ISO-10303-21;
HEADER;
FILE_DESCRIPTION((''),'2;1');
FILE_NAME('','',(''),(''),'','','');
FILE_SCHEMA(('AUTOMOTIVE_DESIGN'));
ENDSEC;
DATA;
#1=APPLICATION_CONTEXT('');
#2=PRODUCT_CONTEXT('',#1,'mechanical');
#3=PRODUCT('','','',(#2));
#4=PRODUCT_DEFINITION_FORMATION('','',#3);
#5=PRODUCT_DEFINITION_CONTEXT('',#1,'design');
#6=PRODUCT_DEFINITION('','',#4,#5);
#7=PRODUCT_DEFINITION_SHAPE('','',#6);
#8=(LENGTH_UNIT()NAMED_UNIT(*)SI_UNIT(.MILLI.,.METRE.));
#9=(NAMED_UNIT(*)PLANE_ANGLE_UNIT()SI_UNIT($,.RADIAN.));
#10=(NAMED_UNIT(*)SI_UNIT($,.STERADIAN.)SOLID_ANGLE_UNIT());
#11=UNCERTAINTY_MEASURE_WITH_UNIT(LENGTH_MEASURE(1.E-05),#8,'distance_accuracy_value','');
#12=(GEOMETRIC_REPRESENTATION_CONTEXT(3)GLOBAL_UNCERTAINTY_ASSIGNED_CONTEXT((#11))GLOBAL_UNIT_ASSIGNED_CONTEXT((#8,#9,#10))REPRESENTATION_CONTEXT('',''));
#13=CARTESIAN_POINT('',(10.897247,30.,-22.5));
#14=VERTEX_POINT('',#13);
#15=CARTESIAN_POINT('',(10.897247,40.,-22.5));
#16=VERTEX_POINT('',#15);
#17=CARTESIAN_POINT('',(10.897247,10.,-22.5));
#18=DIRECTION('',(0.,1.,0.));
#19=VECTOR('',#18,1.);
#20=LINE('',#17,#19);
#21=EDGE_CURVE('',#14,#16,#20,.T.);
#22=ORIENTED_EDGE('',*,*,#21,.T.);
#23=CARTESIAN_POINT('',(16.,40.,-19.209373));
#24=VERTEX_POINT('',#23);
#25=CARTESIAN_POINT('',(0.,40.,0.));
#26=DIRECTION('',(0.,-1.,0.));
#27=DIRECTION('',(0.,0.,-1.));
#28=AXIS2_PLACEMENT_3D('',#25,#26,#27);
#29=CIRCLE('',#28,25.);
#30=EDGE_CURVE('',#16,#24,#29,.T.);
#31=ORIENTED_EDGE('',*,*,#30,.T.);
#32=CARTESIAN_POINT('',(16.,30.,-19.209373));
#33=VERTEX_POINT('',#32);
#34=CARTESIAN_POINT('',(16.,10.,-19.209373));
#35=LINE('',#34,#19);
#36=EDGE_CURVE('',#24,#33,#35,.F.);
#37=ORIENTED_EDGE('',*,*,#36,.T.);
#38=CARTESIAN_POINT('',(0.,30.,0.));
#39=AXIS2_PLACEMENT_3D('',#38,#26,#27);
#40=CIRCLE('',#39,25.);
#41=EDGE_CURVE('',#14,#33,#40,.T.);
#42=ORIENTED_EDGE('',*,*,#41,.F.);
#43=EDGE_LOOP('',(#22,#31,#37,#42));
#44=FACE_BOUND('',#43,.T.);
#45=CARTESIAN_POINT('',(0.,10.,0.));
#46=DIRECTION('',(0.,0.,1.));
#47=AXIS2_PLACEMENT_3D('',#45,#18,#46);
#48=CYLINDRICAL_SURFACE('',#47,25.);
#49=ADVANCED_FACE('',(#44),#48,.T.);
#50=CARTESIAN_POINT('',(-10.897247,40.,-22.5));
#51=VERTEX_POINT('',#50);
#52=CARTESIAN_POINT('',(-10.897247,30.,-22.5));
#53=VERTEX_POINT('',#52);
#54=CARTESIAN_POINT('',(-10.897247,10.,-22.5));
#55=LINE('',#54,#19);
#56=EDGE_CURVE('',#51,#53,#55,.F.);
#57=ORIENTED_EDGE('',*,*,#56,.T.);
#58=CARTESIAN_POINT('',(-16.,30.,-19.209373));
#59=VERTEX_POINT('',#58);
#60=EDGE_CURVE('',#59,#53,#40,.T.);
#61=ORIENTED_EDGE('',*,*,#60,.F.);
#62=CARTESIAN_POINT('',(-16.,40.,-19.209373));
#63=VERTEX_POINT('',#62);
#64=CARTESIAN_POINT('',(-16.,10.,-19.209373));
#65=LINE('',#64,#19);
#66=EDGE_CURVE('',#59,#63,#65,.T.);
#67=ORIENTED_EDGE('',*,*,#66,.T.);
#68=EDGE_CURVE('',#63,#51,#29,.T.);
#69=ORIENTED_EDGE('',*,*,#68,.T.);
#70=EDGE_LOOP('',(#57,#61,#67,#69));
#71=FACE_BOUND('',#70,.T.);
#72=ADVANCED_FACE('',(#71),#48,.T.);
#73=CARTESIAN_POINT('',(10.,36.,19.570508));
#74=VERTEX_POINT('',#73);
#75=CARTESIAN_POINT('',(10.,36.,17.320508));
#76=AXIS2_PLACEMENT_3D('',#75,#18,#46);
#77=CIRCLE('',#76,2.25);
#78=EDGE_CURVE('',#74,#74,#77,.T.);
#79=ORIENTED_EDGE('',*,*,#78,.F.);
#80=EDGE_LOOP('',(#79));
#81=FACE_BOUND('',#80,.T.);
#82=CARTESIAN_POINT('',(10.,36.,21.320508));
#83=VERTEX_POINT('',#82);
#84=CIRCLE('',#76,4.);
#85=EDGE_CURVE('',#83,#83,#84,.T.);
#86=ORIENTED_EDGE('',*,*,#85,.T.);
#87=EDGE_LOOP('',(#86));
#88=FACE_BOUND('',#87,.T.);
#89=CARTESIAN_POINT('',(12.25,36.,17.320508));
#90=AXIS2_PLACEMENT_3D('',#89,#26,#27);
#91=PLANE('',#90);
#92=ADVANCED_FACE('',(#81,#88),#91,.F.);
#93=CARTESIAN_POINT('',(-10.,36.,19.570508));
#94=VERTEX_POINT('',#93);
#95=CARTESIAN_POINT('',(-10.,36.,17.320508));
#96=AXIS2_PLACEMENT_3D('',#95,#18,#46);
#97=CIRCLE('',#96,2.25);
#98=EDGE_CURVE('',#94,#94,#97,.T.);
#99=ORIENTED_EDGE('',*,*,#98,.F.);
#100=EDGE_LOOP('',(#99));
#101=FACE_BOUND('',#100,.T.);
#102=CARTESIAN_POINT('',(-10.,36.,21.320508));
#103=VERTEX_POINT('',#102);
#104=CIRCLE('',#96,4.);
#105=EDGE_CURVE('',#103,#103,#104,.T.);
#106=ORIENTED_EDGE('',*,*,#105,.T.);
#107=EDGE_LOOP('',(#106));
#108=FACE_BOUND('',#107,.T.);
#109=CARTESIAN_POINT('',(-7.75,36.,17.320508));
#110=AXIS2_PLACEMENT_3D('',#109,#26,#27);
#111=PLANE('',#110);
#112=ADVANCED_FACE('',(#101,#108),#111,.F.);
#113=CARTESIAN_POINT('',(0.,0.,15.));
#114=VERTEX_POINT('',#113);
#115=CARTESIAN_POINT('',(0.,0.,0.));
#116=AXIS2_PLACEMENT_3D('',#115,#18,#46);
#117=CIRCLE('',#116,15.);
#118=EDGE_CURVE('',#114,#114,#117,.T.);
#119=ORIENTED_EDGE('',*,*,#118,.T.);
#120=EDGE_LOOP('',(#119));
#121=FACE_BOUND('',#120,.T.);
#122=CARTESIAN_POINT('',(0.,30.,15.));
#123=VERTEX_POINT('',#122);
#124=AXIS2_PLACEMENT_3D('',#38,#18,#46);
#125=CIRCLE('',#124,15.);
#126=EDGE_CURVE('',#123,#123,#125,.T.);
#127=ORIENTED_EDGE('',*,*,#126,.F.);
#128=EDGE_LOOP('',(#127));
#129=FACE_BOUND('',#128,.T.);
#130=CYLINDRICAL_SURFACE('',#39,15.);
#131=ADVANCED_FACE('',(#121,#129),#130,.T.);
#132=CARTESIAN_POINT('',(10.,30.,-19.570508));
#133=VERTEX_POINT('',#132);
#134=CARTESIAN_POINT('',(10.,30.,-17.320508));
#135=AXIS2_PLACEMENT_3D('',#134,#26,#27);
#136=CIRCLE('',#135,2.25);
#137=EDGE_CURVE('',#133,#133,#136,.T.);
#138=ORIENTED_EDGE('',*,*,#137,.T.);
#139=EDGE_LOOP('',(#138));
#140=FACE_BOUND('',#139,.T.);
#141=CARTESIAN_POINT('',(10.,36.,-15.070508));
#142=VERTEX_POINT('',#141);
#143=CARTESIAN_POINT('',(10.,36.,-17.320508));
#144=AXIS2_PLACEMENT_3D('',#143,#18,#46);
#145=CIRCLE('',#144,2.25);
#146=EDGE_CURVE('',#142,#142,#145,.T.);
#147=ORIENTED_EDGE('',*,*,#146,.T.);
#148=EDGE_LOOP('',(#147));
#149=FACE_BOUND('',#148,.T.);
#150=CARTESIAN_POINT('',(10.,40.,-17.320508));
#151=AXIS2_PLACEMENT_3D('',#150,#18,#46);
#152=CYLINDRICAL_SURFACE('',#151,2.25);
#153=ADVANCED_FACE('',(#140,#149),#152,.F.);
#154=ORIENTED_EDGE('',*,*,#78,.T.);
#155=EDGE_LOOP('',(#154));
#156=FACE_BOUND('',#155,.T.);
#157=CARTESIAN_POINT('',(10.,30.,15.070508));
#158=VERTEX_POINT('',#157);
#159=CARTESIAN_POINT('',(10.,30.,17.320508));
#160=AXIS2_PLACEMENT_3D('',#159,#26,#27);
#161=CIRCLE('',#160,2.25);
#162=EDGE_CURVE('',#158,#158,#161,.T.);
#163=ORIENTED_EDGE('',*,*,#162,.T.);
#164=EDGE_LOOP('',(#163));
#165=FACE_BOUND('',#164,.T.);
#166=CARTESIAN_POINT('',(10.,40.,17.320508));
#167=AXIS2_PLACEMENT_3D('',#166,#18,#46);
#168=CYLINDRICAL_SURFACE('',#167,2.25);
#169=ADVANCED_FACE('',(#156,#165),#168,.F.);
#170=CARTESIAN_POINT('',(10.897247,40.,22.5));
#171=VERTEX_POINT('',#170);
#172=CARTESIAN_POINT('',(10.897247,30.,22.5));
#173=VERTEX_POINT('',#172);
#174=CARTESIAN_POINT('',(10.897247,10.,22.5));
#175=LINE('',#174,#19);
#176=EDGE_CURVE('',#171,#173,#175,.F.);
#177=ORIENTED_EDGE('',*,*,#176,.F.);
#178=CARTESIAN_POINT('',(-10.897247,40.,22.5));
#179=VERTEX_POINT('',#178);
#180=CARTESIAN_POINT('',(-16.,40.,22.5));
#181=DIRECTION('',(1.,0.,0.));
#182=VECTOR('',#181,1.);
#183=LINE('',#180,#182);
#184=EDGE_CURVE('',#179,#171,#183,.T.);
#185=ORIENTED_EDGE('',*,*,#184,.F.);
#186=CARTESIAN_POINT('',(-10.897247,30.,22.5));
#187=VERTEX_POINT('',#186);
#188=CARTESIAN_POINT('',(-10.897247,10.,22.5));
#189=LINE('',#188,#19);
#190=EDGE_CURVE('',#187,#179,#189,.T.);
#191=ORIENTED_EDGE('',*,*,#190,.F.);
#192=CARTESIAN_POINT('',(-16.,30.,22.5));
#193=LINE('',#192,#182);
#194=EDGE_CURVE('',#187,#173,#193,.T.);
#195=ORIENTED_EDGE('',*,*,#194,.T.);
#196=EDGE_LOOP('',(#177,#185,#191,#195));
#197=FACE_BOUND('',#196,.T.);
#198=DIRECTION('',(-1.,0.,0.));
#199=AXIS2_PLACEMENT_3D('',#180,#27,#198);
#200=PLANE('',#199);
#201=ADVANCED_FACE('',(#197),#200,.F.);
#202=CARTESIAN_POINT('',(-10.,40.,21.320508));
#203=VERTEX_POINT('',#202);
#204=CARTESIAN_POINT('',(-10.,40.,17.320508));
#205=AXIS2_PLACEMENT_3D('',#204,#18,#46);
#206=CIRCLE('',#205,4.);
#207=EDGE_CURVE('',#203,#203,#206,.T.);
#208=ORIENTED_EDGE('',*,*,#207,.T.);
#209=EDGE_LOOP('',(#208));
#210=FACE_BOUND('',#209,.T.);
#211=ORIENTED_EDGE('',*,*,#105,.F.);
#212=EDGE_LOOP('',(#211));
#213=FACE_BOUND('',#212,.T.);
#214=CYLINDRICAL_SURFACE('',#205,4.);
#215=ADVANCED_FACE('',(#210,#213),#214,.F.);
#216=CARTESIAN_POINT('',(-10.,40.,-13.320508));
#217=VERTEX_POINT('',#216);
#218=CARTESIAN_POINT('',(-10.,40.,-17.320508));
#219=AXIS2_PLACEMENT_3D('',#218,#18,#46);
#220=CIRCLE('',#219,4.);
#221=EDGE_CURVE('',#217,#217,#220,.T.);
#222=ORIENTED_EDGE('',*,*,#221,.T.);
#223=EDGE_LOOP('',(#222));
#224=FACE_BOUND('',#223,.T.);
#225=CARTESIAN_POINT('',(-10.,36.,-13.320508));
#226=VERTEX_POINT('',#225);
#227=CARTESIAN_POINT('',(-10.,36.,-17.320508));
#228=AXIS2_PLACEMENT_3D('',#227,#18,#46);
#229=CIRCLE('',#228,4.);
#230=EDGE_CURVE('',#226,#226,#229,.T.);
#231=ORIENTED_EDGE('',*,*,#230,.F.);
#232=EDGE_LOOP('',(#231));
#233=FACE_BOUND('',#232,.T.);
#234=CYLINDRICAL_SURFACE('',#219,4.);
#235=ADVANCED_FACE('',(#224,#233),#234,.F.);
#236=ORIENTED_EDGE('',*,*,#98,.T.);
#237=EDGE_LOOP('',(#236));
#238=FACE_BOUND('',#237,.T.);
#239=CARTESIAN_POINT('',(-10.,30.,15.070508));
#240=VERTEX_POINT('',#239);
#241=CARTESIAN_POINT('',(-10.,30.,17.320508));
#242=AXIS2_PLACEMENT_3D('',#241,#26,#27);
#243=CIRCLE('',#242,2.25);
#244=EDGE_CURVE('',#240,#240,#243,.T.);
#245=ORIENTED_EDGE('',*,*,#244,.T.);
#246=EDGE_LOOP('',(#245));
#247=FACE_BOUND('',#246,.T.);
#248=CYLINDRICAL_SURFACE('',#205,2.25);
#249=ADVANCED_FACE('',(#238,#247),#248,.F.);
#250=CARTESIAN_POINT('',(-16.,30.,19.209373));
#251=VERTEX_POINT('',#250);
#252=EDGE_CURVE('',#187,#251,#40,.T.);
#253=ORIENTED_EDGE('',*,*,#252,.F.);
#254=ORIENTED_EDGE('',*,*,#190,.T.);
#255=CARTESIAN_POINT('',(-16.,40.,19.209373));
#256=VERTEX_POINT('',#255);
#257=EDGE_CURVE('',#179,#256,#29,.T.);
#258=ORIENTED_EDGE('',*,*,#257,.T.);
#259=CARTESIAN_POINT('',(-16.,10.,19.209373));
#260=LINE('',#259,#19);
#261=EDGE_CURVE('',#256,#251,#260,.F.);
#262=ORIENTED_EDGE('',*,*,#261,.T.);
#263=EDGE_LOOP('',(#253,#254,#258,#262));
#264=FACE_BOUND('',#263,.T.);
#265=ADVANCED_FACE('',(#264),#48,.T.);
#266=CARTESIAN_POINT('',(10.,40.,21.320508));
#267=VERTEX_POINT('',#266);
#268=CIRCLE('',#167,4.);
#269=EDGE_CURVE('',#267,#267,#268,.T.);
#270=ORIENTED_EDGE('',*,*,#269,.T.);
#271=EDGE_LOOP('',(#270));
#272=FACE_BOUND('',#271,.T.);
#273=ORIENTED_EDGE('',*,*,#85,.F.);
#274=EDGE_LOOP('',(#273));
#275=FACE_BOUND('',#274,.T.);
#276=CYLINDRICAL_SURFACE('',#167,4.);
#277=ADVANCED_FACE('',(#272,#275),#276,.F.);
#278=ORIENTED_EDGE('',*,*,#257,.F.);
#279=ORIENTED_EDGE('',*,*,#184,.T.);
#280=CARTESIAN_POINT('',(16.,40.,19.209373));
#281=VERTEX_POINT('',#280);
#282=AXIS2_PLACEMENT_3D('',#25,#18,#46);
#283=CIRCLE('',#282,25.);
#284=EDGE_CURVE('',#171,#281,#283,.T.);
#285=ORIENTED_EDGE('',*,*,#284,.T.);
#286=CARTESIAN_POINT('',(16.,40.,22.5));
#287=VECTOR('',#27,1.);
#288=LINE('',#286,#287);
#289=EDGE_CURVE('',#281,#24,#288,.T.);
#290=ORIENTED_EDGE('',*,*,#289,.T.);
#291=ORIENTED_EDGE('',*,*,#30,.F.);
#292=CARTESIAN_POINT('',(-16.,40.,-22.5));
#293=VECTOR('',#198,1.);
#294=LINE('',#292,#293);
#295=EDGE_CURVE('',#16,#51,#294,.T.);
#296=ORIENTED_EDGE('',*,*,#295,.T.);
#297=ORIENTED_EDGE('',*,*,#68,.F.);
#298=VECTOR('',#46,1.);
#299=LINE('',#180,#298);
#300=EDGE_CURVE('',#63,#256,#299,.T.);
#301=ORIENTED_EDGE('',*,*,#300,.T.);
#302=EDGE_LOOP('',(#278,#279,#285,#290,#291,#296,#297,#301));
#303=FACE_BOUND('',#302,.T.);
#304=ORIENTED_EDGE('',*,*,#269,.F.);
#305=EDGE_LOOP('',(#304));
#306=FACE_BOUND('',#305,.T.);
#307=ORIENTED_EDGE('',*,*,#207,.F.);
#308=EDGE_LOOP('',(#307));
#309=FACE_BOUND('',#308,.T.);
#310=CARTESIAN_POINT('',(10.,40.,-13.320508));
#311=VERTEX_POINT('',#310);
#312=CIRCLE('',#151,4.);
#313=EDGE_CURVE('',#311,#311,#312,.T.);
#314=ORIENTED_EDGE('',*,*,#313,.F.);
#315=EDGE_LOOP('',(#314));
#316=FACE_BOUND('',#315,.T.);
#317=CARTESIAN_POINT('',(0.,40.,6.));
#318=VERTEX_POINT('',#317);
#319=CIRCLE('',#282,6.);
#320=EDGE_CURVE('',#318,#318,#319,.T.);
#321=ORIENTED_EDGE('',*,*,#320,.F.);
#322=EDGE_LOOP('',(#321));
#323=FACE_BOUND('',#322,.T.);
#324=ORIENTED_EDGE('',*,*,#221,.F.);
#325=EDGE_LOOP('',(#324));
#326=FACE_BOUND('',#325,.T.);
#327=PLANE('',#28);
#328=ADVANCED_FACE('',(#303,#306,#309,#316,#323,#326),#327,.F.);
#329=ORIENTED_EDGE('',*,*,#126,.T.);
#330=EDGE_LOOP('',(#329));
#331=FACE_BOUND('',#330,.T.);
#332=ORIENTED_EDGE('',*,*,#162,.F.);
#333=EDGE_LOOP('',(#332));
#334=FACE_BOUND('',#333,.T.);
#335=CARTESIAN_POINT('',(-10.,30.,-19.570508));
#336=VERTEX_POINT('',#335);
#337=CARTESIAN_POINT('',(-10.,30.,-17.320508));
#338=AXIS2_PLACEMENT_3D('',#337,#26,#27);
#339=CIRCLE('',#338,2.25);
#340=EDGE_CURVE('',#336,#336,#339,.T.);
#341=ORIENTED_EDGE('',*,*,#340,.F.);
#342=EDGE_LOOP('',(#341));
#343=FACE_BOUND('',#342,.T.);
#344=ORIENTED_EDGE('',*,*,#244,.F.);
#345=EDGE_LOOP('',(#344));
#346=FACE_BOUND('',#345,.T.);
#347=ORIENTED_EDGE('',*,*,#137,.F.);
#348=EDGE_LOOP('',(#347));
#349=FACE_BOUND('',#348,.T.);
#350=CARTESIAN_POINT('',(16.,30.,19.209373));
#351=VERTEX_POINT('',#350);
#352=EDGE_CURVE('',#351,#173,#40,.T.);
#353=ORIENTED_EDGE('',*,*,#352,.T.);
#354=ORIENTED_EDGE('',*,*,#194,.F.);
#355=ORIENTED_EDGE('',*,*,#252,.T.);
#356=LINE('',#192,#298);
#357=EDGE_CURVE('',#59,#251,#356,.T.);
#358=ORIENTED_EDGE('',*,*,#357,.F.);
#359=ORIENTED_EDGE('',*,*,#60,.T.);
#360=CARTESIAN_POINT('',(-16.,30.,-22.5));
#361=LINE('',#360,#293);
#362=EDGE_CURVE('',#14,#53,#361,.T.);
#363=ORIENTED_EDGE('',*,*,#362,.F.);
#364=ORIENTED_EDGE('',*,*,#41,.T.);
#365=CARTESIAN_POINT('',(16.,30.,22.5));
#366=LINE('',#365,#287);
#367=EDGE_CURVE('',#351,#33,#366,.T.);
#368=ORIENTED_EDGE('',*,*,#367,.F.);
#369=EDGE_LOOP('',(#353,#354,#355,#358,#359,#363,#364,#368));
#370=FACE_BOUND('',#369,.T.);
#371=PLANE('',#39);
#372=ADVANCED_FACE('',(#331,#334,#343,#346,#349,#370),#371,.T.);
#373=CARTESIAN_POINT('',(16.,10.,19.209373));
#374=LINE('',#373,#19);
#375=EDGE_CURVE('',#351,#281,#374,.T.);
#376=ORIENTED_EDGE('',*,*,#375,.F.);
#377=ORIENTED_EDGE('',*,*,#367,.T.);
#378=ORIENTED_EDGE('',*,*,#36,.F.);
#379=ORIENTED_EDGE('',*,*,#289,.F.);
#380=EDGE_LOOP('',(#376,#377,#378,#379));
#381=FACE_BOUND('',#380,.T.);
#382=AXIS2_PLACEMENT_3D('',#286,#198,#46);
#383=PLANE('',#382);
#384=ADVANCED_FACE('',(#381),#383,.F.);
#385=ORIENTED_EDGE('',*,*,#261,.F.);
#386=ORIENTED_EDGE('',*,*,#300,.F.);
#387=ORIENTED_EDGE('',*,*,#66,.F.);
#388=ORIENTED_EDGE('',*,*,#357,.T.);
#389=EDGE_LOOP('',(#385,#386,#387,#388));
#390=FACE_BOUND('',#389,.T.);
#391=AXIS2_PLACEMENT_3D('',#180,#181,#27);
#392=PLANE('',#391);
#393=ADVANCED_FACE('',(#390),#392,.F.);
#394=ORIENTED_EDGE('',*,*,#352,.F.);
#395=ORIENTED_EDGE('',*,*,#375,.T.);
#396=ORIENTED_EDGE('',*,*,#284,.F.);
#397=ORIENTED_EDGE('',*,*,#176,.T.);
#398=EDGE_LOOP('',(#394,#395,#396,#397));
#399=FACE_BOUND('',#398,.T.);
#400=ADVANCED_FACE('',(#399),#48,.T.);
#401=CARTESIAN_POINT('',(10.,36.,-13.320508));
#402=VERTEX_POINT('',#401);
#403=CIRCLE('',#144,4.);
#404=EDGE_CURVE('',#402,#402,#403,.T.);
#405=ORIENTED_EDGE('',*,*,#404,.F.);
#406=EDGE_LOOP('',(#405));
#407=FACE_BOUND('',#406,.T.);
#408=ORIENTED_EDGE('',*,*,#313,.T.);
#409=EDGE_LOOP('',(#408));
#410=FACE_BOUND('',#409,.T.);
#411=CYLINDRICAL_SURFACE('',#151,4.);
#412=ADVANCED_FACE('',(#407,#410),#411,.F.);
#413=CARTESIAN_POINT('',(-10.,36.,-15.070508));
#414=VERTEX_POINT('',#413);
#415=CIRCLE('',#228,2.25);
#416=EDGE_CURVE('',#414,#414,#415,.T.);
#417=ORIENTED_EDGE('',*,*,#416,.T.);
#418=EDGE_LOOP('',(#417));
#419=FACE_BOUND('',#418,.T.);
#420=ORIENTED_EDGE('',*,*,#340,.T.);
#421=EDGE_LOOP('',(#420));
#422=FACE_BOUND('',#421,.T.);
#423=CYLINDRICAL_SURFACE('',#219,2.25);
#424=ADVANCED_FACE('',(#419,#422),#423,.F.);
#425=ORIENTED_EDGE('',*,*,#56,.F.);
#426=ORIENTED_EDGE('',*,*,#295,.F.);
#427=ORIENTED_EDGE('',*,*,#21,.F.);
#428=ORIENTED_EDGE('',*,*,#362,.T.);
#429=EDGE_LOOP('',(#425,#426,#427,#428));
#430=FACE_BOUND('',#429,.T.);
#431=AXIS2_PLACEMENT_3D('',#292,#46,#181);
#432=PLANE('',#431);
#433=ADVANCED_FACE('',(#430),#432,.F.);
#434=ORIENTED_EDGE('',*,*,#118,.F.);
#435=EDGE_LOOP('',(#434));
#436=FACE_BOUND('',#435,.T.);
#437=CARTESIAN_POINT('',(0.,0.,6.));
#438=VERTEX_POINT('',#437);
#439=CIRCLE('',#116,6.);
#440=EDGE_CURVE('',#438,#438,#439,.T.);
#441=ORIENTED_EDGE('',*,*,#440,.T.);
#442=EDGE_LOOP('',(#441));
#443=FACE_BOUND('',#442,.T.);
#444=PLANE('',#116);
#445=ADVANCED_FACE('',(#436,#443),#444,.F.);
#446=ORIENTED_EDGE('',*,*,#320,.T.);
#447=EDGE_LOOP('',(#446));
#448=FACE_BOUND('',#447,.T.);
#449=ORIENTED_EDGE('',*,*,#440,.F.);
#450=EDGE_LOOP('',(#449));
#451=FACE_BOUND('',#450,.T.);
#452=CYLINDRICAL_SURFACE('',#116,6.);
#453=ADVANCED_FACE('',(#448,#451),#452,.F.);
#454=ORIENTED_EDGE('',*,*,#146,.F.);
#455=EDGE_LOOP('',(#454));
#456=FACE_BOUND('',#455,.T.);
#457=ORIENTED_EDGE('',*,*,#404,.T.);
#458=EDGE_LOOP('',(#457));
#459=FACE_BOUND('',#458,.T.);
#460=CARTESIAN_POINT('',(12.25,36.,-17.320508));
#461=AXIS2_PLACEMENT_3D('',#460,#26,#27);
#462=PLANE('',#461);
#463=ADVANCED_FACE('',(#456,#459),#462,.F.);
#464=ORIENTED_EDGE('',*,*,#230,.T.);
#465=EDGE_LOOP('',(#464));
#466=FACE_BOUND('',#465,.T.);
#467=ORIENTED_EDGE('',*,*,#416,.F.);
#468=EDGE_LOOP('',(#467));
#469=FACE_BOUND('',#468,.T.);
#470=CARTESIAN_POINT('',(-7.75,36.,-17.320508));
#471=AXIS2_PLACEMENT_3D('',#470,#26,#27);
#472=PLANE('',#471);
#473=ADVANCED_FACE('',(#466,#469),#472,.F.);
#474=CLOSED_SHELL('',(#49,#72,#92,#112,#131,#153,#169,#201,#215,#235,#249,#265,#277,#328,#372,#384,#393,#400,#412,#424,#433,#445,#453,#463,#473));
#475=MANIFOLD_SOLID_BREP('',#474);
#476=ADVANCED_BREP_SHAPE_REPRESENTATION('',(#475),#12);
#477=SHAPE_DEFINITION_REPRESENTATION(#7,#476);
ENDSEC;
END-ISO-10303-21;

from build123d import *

# Parameters (mm, degrees)
SKETCH_1_R                   = 15
EXTRUDE_1_DEPTH              = 30
SKETCH_2_W                   = 32
SKETCH_2_H                   = 45
EXTRUDE_2_DEPTH              = 10
HOLE_WIZARD_M4_1_D           = 4.5
HOLE_WIZARD_M4_1_CBORE_D     = 8
HOLE_WIZARD_M4_1_CBORE_DEPTH = 4
SKETCH_6_W                   = 78.990137636
SKETCH_6_H                   = 62.836735256
SKETCH_6_R                   = 25
CUT_EXTRUDE_1_DEPTH          = 30
SKETCH_7_R                   = 6
CUT_EXTRUDE_2_DEPTH          = 49.602983448


with BuildPart() as part:
    # 스케치1 → 보스-돌출1 (new body)
    with BuildSketch(Plane(origin=(0, 0, 0), x_dir=(1, 0, 0), z_dir=(0, 1, 0))):
        with Locations(Location((0, 0, 0), (0, 0, 270))):
            Circle(SKETCH_1_R)
    extrude(amount=EXTRUDE_1_DEPTH)

    # 스케치2 → 보스-돌출2 (add)
    with BuildSketch(Plane(origin=(0, 30, 0), x_dir=(1, 0, 0), z_dir=(0, 1, 0))):
        Rectangle(SKETCH_2_W, SKETCH_2_H)
    extrude(amount=EXTRUDE_2_DEPTH)

    # M4 소켓 머리 캡 나사용 카운터보어1 (through all)
    with Locations(Plane(origin=(0, 40, 0), x_dir=(1, 0, 0), z_dir=(0, 1, 0))):
        with Locations((-10, 17.320508076), (10, 17.320508076), (10, -17.320508076), (-10, -17.320508076)):
            CounterBoreHole(HOLE_WIZARD_M4_1_D / 2, HOLE_WIZARD_M4_1_CBORE_D / 2, HOLE_WIZARD_M4_1_CBORE_DEPTH)

    # 스케치6 → 컷-돌출1 (cut)
    with BuildSketch(Plane(origin=(0, 40, 0), x_dir=(1, 0, 0), z_dir=(0, 1, 0))):
        Rectangle(SKETCH_6_W, SKETCH_6_H)
        Circle(SKETCH_6_R, mode=Mode.SUBTRACT)
    extrude(amount=-CUT_EXTRUDE_1_DEPTH, mode=Mode.SUBTRACT)

    # 스케치7 → 컷-돌출2 (cut, through all)
    with BuildSketch(Plane(origin=(0, 40, 0), x_dir=(1, 0, 0), z_dir=(0, 1, 0))):
        with Locations(Location((0, 0, 0), (0, 0, 270))):
            Circle(SKETCH_7_R)
    extrude(amount=-CUT_EXTRUDE_2_DEPTH, mode=Mode.SUBTRACT)


solid = part.part
